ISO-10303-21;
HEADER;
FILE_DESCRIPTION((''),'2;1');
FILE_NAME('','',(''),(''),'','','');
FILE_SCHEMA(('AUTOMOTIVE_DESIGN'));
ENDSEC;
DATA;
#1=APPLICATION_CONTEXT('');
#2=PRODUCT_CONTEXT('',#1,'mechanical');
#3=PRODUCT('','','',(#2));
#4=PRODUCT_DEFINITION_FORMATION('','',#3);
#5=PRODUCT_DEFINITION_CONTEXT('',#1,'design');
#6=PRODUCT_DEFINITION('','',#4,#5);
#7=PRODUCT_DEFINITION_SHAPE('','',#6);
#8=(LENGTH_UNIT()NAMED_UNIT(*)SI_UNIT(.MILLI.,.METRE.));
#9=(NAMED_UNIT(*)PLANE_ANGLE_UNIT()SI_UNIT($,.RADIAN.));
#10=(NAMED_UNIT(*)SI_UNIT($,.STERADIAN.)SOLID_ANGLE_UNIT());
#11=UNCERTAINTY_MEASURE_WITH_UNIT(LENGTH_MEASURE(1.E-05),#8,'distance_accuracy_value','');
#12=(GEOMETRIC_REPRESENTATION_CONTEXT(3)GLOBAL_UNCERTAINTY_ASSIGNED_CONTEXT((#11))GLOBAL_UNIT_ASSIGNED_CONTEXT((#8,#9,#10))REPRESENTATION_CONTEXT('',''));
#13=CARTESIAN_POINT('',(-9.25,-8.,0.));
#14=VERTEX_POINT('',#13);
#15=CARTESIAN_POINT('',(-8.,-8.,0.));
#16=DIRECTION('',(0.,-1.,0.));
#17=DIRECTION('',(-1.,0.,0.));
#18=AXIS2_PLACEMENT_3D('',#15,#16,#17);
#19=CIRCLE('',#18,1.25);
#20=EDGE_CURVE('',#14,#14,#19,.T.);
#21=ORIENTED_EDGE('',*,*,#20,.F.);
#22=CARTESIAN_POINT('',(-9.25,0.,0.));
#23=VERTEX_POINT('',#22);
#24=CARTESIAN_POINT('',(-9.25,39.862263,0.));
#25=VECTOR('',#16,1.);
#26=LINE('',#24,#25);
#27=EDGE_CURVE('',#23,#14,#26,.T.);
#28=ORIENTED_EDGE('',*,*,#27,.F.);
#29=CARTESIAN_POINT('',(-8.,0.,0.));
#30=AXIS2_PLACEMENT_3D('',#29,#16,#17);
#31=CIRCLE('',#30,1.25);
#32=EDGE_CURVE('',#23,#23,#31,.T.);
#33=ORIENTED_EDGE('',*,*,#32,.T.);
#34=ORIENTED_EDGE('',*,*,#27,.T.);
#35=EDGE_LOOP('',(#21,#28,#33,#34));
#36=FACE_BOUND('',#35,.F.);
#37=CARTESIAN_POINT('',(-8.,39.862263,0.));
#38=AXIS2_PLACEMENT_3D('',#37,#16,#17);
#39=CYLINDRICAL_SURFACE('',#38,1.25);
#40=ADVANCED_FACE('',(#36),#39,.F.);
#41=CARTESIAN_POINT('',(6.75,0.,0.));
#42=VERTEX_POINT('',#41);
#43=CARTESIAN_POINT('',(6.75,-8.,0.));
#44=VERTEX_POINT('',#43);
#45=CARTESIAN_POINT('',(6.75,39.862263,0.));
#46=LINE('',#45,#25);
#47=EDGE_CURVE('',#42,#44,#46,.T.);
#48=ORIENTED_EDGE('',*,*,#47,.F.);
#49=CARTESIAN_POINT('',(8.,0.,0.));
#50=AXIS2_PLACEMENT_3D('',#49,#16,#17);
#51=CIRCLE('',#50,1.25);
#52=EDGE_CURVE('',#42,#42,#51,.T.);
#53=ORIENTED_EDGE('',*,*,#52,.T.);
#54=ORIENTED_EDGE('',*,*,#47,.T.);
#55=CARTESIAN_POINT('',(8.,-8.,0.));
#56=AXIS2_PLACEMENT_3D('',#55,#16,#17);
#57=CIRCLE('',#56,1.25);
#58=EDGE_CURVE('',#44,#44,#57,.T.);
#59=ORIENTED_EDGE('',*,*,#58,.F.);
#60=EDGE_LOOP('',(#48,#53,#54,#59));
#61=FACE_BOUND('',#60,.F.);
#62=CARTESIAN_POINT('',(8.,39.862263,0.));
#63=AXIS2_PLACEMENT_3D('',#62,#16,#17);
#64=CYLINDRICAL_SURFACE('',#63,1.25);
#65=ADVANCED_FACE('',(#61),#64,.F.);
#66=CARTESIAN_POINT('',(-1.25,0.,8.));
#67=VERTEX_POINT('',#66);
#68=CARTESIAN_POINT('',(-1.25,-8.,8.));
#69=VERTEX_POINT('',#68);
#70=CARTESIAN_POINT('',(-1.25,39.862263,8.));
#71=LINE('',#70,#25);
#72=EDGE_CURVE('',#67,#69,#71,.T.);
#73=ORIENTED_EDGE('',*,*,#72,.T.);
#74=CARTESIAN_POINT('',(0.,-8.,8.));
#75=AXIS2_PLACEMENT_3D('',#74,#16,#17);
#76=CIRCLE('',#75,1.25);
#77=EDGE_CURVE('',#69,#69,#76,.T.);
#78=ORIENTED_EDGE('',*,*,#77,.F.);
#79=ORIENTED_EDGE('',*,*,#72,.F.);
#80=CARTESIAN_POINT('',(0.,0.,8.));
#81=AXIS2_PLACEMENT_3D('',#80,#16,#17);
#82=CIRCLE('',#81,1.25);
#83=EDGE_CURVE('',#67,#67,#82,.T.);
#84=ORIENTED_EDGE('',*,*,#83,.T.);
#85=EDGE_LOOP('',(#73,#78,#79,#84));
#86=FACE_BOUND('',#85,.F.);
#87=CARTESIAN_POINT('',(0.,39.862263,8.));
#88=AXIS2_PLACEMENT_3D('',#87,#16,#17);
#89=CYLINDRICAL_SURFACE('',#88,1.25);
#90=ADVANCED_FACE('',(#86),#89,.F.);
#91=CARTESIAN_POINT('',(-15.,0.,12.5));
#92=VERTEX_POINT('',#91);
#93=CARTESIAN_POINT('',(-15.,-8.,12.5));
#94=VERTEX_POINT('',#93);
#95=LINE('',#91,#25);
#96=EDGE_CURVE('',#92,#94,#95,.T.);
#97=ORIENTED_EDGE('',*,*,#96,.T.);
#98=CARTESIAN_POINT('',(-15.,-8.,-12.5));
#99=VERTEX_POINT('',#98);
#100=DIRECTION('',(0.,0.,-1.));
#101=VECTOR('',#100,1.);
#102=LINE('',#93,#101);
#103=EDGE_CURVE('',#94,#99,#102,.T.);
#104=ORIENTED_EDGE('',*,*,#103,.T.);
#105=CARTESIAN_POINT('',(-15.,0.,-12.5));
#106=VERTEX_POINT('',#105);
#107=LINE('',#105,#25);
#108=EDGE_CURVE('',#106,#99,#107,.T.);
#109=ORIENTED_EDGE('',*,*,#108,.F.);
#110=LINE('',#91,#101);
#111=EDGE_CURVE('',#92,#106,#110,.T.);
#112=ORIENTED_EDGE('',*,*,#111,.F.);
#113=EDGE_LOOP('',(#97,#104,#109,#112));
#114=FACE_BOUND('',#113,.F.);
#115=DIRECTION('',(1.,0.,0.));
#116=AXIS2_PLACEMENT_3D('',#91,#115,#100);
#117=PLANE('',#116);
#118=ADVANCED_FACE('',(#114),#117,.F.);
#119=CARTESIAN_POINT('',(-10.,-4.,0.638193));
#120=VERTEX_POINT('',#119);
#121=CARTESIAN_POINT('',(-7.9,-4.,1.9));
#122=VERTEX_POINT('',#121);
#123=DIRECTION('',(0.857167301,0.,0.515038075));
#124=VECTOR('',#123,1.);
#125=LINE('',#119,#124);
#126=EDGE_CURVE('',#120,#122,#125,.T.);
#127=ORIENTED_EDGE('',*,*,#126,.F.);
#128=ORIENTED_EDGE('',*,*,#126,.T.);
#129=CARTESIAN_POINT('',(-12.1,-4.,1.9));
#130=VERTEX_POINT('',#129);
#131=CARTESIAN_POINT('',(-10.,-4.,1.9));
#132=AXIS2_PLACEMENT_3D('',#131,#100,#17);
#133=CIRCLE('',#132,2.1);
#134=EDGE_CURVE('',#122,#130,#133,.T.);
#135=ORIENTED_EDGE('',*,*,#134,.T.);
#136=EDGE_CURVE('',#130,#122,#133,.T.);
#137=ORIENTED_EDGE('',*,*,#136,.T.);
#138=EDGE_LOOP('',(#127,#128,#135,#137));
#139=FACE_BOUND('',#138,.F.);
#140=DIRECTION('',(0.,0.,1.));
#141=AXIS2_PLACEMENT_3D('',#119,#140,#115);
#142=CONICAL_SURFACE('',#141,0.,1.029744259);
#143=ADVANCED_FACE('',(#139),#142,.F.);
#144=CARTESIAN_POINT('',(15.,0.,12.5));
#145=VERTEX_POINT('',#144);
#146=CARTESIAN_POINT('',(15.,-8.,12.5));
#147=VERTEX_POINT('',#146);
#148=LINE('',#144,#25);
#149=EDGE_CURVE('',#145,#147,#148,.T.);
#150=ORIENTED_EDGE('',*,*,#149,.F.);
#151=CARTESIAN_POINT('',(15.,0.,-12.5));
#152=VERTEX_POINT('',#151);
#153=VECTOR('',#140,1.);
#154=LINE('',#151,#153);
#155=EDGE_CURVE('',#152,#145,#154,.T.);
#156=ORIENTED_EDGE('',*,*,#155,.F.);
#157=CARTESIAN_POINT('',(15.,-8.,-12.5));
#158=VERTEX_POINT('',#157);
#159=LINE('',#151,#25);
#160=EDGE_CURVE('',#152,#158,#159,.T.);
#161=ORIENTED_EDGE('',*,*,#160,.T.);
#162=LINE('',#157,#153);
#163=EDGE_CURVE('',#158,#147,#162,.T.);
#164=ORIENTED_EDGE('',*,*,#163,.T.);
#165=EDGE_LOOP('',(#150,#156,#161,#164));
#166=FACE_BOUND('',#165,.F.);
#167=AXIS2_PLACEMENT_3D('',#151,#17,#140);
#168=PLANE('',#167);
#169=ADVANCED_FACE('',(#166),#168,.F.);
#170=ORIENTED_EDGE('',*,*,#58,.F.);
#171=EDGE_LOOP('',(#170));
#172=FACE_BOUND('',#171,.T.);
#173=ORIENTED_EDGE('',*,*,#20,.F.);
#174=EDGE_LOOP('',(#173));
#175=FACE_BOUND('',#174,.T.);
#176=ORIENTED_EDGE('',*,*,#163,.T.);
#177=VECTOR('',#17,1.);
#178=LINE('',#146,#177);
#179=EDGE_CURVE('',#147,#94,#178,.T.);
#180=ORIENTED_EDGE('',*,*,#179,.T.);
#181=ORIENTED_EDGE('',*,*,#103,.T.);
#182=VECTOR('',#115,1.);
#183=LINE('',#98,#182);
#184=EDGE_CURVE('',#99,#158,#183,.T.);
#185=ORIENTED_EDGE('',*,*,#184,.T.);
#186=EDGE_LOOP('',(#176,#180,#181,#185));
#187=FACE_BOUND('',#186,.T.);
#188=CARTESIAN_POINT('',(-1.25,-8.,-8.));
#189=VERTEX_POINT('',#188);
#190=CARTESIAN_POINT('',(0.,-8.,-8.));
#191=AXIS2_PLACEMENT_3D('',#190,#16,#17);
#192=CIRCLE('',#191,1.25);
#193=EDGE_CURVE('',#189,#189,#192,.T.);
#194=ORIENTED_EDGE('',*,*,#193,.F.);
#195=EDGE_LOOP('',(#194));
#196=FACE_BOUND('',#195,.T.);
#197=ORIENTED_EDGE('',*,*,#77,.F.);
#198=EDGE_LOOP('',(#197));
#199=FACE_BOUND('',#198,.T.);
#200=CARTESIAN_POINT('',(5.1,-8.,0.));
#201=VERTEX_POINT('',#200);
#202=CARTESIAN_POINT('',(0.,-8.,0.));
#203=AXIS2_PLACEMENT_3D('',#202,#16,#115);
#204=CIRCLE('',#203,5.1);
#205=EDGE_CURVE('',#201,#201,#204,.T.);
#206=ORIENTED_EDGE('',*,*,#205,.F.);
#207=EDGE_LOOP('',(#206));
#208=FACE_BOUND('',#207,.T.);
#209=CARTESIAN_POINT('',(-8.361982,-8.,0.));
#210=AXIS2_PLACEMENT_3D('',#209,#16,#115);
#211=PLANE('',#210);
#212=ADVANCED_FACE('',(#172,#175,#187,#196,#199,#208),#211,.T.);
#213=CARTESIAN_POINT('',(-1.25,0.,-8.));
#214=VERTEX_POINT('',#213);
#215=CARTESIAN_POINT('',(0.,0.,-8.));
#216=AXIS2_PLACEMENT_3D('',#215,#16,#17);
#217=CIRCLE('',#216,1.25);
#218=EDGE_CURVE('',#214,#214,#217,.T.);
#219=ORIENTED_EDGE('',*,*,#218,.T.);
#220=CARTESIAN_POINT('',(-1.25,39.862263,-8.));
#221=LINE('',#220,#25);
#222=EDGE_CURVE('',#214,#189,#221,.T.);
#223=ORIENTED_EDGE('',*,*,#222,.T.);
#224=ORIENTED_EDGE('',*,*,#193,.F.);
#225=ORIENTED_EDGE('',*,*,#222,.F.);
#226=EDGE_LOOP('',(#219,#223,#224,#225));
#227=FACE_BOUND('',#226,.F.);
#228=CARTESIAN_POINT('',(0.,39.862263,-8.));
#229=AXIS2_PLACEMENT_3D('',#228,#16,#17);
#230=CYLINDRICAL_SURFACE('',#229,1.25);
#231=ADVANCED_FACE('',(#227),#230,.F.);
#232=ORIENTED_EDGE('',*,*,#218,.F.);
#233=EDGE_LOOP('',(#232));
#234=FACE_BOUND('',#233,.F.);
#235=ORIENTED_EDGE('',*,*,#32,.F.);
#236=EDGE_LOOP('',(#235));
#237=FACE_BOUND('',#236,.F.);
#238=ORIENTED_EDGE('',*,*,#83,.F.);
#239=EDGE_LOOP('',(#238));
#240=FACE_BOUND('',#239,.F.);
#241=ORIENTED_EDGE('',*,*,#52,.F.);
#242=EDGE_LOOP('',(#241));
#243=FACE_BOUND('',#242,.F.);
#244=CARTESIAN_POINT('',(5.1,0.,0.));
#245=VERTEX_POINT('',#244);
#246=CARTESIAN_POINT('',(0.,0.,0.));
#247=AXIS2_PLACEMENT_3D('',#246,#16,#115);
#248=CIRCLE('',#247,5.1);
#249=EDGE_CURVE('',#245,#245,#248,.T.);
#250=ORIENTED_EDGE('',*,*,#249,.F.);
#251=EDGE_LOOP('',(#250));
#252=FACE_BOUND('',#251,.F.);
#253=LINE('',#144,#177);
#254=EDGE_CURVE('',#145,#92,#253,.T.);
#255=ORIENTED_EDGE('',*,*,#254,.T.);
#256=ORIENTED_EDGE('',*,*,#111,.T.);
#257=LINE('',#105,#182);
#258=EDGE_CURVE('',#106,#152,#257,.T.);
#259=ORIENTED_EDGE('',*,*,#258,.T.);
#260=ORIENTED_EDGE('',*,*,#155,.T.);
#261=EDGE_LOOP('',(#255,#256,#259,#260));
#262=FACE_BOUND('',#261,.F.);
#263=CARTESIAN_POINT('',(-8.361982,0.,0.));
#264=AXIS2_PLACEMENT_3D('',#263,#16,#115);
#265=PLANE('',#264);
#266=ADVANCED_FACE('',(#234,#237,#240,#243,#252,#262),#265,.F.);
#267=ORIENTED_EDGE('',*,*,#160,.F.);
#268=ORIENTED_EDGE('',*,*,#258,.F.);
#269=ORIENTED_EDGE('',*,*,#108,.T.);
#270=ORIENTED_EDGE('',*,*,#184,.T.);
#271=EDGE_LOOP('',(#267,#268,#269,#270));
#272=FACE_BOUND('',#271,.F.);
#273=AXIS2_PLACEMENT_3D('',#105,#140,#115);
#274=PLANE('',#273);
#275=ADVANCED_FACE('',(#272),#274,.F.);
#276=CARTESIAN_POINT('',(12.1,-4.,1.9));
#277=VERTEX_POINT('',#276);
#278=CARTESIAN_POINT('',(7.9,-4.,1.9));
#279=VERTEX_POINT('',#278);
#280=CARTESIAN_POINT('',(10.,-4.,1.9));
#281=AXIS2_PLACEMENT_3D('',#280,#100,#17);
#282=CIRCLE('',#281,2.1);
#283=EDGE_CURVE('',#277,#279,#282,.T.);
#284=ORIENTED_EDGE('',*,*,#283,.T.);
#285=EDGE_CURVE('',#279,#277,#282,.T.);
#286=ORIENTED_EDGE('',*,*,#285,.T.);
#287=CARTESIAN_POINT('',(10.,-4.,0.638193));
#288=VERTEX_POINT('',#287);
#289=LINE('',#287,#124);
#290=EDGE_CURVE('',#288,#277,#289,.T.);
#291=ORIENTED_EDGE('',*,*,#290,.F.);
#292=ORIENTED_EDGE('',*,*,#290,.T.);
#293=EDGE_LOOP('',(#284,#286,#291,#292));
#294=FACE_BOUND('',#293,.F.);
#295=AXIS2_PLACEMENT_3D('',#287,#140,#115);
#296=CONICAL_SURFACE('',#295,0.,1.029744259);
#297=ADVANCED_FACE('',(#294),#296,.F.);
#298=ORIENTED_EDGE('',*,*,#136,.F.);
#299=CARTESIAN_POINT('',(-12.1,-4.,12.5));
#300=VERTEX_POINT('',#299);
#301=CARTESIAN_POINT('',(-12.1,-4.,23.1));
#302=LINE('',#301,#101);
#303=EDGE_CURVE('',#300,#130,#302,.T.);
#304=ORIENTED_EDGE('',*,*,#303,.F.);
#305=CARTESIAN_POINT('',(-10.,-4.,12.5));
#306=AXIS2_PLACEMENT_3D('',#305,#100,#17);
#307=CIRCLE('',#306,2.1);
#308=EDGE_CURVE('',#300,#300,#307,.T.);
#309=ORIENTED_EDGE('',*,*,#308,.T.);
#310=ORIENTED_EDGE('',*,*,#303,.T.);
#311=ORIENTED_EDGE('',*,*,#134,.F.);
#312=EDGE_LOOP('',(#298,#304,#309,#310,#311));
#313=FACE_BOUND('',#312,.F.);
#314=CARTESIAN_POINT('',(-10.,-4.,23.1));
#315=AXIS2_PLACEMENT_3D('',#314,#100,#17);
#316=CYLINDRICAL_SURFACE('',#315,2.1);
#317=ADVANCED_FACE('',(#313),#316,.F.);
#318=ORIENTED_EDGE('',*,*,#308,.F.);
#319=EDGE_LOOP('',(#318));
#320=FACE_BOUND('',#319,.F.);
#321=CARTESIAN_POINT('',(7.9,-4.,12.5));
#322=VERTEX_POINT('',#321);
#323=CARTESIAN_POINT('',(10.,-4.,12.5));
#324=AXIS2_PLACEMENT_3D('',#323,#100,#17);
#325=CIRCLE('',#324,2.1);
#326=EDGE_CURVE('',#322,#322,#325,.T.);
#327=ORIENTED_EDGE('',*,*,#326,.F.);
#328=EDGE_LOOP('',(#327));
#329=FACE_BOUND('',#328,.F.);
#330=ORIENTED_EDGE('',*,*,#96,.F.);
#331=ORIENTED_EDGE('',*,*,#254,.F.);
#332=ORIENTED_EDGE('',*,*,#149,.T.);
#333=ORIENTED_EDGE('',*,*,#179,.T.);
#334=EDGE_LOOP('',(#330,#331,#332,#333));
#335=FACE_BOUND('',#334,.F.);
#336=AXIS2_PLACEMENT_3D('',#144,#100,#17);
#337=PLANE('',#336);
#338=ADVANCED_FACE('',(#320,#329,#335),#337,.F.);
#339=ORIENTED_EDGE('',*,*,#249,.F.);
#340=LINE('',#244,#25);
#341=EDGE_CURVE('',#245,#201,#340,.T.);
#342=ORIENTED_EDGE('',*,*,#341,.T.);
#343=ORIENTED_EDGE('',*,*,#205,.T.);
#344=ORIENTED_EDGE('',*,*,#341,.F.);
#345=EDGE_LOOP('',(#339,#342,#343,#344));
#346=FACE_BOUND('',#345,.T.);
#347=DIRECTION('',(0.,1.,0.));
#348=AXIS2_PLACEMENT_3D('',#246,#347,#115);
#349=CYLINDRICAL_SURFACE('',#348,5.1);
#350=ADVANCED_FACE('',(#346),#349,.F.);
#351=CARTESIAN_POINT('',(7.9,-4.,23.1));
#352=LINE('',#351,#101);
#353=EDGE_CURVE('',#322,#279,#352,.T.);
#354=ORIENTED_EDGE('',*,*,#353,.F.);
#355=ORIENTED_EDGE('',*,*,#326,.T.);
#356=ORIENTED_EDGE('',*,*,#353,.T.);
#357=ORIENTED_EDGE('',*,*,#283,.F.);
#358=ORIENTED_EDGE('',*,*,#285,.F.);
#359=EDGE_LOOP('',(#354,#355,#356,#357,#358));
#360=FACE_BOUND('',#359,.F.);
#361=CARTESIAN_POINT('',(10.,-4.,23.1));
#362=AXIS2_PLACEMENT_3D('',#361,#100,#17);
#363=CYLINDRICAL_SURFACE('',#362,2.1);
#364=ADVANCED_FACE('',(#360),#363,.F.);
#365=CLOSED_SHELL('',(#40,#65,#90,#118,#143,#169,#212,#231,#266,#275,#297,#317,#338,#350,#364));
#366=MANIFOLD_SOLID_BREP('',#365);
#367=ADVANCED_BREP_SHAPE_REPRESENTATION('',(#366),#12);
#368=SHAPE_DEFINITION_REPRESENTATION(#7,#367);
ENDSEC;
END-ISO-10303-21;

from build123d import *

# Parameters (mm, degrees)
F0_R     = 5.1
F1_DEPTH = 8
F3_D     = 2.5
F4_D     = 4.2
F4_DEPTH = 10.6
F4_TIP   = 1.2618073


with BuildPart() as f1:
    # F0 (on Front) → F1 (new body)
    with BuildSketch(Plane.XZ):
        with BuildLine():
            ThreePointArc((-7.80859375, 1.7395009766), (-5.6568542495, 5.6568542495), (-1.7395009766, 7.80859375))
            ThreePointArc((-1.7395009766, 7.80859375), (-1.3033535471, 9.1678054338), (0, 9.75))
            Line((0, 9.75), (0, 12.5))
            Line((0, 12.5), (-15, 12.5))
            Line((-15, 12.5), (-15, -12.5))
            Line((-15, -12.5), (0, -12.5))
            Line((0, -12.5), (0, -9.75))
            ThreePointArc((0, -9.75), (-1.3033535471, -9.1678054338), (-1.7395009766, -7.80859375))
            ThreePointArc((-1.7395009766, -7.80859375), (-5.6568542495, -5.6568542495), (-7.80859375, -1.7395009766))
            ThreePointArc((-7.80859375, -1.7395009766), (-9.75, 0), (-7.80859375, 1.7395009766))
        make_face()
        with BuildLine():
            ThreePointArc((1.7395009766, 7.80859375), (5.6568542495, 5.6568542495), (7.80859375, 1.7395009766))
            ThreePointArc((7.80859375, 1.7395009766), (9.1678054338, 1.3033535471), (9.75, 0))
            ThreePointArc((9.75, 0), (9.1678054338, -1.3033535471), (7.80859375, -1.7395009766))
            ThreePointArc((7.80859375, -1.7395009766), (5.6568542495, -5.6568542495), (1.7395009766, -7.80859375))
            ThreePointArc((1.7395009766, -7.80859375), (1.7473732728, -7.9041530099), (1.75, -8))
            ThreePointArc((1.75, -8), (1.2374368671, -9.2374368671), (0, -9.75))
            Line((0, -9.75), (0, -12.5))
            Line((0, -12.5), (15, -12.5))
            Line((15, -12.5), (15, 12.5))
            Line((15, 12.5), (0, 12.5))
            Line((0, 12.5), (0, 9.75))
            ThreePointArc((0, 9.75), (1.2374368671, 9.2374368671), (1.75, 8))
            ThreePointArc((1.75, 8), (1.7473732728, 7.9041530099), (1.7395009766, 7.80859375))
        make_face()
        with BuildLine():
            ThreePointArc((7.80859375, -1.7395009766), (6.25, 0), (7.80859375, 1.7395009766))
            ThreePointArc((7.80859375, 1.7395009766), (5.6568542495, 5.6568542495), (1.7395009766, 7.80859375))
            ThreePointArc((1.7395009766, 7.80859375), (0, 6.25), (-1.7395009766, 7.80859375))
            ThreePointArc((-1.7395009766, 7.80859375), (-5.6568542495, 5.6568542495), (-7.80859375, 1.7395009766))
            ThreePointArc((-7.80859375, 1.7395009766), (-6.6966464529, 1.1678054338), (-6.25, 0))
            ThreePointArc((-6.25, 0), (-6.6966464529, -1.1678054338), (-7.80859375, -1.7395009766))
            ThreePointArc((-7.80859375, -1.7395009766), (-5.6568542495, -5.6568542495), (-1.7395009766, -7.80859375))
            ThreePointArc((-1.7395009766, -7.80859375), (0, -6.25), (1.7395009766, -7.80859375))
            ThreePointArc((1.7395009766, -7.80859375), (5.6568542495, -5.6568542495), (7.80859375, -1.7395009766))
        make_face()
        Circle(F0_R, mode=Mode.SUBTRACT)
        with BuildLine():
            ThreePointArc((-1.7395009766, 7.80859375), (0, 8), (1.7395009766, 7.80859375))
            ThreePointArc((1.7395009766, 7.80859375), (1.7473732728, 7.9041530099), (1.75, 8))
            ThreePointArc((1.75, 8), (1.2374368671, 9.2374368671), (0, 9.75))
            ThreePointArc((0, 9.75), (-1.3033535471, 9.1678054338), (-1.7395009766, 7.80859375))
        make_face()
        with BuildLine():
            ThreePointArc((-7.80859375, -1.7395009766), (-8, 0), (-7.80859375, 1.7395009766))
            ThreePointArc((-7.80859375, 1.7395009766), (-9.75, 0), (-7.80859375, -1.7395009766))
        make_face()
        with BuildLine():
            ThreePointArc((-6.25, 0), (-6.6966464529, 1.1678054338), (-7.80859375, 1.7395009766))
            ThreePointArc((-7.80859375, 1.7395009766), (-8, 0), (-7.80859375, -1.7395009766))
            ThreePointArc((-7.80859375, -1.7395009766), (-6.6966464529, -1.1678054338), (-6.25, 0))
        make_face()
        with BuildLine():
            ThreePointArc((7.80859375, 1.7395009766), (7.9520044643, 0.875), (8, 0))
            ThreePointArc((8, 0), (7.9520044643, -0.875), (7.80859375, -1.7395009766))
            ThreePointArc((7.80859375, -1.7395009766), (9.1678054338, -1.3033535471), (9.75, 0))
            ThreePointArc((9.75, 0), (9.1678054338, 1.3033535471), (7.80859375, 1.7395009766))
        make_face()
        with BuildLine():
            ThreePointArc((7.80859375, -1.7395009766), (7.9520044643, -0.875), (8, 0))
            ThreePointArc((8, 0), (7.9520044643, 0.875), (7.80859375, 1.7395009766))
            ThreePointArc((7.80859375, 1.7395009766), (6.25, 0), (7.80859375, -1.7395009766))
        make_face()
        with BuildLine():
            ThreePointArc((-1.7395009766, -7.80859375), (0, -8), (1.7395009766, -7.80859375))
            ThreePointArc((1.7395009766, -7.80859375), (0, -6.25), (-1.7395009766, -7.80859375))
        make_face()
        with BuildLine():
            ThreePointArc((1.75, -8), (1.7473732728, -7.9041530099), (1.7395009766, -7.80859375))
            ThreePointArc((1.7395009766, -7.80859375), (0, -8), (-1.7395009766, -7.80859375))
            ThreePointArc((-1.7395009766, -7.80859375), (-1.3033535471, -9.1678054338), (0, -9.75))
            ThreePointArc((0, -9.75), (1.2374368671, -9.2374368671), (1.75, -8))
        make_face()
        with BuildLine():
            ThreePointArc((-1.7395009766, 7.80859375), (0, 6.25), (1.7395009766, 7.80859375))
            ThreePointArc((1.7395009766, 7.80859375), (0, 8), (-1.7395009766, 7.80859375))
        make_face()
    extrude(amount=F1_DEPTH)

    # F3 (through all)
    with Locations(Plane(origin=(0, 0, 0), x_dir=(1, 0, 0), z_dir=(0, 1, 0))):
        with Locations((0, -8), (8, 0), (-8, 0), (0, 8)):
            Hole(F3_D / 2)

    # F4
    with Locations(Plane.XY.offset(12.5)):
        with Locations((-10, -4), (10, -4)):
            Hole(F4_D / 2, depth=F4_DEPTH)
            with Locations((0, 0, -(F4_DEPTH + F4_TIP / 2))):  # 118° drill point
                Cone(0, F4_D / 2, F4_TIP, mode=Mode.SUBTRACT)


solid = f1.part
